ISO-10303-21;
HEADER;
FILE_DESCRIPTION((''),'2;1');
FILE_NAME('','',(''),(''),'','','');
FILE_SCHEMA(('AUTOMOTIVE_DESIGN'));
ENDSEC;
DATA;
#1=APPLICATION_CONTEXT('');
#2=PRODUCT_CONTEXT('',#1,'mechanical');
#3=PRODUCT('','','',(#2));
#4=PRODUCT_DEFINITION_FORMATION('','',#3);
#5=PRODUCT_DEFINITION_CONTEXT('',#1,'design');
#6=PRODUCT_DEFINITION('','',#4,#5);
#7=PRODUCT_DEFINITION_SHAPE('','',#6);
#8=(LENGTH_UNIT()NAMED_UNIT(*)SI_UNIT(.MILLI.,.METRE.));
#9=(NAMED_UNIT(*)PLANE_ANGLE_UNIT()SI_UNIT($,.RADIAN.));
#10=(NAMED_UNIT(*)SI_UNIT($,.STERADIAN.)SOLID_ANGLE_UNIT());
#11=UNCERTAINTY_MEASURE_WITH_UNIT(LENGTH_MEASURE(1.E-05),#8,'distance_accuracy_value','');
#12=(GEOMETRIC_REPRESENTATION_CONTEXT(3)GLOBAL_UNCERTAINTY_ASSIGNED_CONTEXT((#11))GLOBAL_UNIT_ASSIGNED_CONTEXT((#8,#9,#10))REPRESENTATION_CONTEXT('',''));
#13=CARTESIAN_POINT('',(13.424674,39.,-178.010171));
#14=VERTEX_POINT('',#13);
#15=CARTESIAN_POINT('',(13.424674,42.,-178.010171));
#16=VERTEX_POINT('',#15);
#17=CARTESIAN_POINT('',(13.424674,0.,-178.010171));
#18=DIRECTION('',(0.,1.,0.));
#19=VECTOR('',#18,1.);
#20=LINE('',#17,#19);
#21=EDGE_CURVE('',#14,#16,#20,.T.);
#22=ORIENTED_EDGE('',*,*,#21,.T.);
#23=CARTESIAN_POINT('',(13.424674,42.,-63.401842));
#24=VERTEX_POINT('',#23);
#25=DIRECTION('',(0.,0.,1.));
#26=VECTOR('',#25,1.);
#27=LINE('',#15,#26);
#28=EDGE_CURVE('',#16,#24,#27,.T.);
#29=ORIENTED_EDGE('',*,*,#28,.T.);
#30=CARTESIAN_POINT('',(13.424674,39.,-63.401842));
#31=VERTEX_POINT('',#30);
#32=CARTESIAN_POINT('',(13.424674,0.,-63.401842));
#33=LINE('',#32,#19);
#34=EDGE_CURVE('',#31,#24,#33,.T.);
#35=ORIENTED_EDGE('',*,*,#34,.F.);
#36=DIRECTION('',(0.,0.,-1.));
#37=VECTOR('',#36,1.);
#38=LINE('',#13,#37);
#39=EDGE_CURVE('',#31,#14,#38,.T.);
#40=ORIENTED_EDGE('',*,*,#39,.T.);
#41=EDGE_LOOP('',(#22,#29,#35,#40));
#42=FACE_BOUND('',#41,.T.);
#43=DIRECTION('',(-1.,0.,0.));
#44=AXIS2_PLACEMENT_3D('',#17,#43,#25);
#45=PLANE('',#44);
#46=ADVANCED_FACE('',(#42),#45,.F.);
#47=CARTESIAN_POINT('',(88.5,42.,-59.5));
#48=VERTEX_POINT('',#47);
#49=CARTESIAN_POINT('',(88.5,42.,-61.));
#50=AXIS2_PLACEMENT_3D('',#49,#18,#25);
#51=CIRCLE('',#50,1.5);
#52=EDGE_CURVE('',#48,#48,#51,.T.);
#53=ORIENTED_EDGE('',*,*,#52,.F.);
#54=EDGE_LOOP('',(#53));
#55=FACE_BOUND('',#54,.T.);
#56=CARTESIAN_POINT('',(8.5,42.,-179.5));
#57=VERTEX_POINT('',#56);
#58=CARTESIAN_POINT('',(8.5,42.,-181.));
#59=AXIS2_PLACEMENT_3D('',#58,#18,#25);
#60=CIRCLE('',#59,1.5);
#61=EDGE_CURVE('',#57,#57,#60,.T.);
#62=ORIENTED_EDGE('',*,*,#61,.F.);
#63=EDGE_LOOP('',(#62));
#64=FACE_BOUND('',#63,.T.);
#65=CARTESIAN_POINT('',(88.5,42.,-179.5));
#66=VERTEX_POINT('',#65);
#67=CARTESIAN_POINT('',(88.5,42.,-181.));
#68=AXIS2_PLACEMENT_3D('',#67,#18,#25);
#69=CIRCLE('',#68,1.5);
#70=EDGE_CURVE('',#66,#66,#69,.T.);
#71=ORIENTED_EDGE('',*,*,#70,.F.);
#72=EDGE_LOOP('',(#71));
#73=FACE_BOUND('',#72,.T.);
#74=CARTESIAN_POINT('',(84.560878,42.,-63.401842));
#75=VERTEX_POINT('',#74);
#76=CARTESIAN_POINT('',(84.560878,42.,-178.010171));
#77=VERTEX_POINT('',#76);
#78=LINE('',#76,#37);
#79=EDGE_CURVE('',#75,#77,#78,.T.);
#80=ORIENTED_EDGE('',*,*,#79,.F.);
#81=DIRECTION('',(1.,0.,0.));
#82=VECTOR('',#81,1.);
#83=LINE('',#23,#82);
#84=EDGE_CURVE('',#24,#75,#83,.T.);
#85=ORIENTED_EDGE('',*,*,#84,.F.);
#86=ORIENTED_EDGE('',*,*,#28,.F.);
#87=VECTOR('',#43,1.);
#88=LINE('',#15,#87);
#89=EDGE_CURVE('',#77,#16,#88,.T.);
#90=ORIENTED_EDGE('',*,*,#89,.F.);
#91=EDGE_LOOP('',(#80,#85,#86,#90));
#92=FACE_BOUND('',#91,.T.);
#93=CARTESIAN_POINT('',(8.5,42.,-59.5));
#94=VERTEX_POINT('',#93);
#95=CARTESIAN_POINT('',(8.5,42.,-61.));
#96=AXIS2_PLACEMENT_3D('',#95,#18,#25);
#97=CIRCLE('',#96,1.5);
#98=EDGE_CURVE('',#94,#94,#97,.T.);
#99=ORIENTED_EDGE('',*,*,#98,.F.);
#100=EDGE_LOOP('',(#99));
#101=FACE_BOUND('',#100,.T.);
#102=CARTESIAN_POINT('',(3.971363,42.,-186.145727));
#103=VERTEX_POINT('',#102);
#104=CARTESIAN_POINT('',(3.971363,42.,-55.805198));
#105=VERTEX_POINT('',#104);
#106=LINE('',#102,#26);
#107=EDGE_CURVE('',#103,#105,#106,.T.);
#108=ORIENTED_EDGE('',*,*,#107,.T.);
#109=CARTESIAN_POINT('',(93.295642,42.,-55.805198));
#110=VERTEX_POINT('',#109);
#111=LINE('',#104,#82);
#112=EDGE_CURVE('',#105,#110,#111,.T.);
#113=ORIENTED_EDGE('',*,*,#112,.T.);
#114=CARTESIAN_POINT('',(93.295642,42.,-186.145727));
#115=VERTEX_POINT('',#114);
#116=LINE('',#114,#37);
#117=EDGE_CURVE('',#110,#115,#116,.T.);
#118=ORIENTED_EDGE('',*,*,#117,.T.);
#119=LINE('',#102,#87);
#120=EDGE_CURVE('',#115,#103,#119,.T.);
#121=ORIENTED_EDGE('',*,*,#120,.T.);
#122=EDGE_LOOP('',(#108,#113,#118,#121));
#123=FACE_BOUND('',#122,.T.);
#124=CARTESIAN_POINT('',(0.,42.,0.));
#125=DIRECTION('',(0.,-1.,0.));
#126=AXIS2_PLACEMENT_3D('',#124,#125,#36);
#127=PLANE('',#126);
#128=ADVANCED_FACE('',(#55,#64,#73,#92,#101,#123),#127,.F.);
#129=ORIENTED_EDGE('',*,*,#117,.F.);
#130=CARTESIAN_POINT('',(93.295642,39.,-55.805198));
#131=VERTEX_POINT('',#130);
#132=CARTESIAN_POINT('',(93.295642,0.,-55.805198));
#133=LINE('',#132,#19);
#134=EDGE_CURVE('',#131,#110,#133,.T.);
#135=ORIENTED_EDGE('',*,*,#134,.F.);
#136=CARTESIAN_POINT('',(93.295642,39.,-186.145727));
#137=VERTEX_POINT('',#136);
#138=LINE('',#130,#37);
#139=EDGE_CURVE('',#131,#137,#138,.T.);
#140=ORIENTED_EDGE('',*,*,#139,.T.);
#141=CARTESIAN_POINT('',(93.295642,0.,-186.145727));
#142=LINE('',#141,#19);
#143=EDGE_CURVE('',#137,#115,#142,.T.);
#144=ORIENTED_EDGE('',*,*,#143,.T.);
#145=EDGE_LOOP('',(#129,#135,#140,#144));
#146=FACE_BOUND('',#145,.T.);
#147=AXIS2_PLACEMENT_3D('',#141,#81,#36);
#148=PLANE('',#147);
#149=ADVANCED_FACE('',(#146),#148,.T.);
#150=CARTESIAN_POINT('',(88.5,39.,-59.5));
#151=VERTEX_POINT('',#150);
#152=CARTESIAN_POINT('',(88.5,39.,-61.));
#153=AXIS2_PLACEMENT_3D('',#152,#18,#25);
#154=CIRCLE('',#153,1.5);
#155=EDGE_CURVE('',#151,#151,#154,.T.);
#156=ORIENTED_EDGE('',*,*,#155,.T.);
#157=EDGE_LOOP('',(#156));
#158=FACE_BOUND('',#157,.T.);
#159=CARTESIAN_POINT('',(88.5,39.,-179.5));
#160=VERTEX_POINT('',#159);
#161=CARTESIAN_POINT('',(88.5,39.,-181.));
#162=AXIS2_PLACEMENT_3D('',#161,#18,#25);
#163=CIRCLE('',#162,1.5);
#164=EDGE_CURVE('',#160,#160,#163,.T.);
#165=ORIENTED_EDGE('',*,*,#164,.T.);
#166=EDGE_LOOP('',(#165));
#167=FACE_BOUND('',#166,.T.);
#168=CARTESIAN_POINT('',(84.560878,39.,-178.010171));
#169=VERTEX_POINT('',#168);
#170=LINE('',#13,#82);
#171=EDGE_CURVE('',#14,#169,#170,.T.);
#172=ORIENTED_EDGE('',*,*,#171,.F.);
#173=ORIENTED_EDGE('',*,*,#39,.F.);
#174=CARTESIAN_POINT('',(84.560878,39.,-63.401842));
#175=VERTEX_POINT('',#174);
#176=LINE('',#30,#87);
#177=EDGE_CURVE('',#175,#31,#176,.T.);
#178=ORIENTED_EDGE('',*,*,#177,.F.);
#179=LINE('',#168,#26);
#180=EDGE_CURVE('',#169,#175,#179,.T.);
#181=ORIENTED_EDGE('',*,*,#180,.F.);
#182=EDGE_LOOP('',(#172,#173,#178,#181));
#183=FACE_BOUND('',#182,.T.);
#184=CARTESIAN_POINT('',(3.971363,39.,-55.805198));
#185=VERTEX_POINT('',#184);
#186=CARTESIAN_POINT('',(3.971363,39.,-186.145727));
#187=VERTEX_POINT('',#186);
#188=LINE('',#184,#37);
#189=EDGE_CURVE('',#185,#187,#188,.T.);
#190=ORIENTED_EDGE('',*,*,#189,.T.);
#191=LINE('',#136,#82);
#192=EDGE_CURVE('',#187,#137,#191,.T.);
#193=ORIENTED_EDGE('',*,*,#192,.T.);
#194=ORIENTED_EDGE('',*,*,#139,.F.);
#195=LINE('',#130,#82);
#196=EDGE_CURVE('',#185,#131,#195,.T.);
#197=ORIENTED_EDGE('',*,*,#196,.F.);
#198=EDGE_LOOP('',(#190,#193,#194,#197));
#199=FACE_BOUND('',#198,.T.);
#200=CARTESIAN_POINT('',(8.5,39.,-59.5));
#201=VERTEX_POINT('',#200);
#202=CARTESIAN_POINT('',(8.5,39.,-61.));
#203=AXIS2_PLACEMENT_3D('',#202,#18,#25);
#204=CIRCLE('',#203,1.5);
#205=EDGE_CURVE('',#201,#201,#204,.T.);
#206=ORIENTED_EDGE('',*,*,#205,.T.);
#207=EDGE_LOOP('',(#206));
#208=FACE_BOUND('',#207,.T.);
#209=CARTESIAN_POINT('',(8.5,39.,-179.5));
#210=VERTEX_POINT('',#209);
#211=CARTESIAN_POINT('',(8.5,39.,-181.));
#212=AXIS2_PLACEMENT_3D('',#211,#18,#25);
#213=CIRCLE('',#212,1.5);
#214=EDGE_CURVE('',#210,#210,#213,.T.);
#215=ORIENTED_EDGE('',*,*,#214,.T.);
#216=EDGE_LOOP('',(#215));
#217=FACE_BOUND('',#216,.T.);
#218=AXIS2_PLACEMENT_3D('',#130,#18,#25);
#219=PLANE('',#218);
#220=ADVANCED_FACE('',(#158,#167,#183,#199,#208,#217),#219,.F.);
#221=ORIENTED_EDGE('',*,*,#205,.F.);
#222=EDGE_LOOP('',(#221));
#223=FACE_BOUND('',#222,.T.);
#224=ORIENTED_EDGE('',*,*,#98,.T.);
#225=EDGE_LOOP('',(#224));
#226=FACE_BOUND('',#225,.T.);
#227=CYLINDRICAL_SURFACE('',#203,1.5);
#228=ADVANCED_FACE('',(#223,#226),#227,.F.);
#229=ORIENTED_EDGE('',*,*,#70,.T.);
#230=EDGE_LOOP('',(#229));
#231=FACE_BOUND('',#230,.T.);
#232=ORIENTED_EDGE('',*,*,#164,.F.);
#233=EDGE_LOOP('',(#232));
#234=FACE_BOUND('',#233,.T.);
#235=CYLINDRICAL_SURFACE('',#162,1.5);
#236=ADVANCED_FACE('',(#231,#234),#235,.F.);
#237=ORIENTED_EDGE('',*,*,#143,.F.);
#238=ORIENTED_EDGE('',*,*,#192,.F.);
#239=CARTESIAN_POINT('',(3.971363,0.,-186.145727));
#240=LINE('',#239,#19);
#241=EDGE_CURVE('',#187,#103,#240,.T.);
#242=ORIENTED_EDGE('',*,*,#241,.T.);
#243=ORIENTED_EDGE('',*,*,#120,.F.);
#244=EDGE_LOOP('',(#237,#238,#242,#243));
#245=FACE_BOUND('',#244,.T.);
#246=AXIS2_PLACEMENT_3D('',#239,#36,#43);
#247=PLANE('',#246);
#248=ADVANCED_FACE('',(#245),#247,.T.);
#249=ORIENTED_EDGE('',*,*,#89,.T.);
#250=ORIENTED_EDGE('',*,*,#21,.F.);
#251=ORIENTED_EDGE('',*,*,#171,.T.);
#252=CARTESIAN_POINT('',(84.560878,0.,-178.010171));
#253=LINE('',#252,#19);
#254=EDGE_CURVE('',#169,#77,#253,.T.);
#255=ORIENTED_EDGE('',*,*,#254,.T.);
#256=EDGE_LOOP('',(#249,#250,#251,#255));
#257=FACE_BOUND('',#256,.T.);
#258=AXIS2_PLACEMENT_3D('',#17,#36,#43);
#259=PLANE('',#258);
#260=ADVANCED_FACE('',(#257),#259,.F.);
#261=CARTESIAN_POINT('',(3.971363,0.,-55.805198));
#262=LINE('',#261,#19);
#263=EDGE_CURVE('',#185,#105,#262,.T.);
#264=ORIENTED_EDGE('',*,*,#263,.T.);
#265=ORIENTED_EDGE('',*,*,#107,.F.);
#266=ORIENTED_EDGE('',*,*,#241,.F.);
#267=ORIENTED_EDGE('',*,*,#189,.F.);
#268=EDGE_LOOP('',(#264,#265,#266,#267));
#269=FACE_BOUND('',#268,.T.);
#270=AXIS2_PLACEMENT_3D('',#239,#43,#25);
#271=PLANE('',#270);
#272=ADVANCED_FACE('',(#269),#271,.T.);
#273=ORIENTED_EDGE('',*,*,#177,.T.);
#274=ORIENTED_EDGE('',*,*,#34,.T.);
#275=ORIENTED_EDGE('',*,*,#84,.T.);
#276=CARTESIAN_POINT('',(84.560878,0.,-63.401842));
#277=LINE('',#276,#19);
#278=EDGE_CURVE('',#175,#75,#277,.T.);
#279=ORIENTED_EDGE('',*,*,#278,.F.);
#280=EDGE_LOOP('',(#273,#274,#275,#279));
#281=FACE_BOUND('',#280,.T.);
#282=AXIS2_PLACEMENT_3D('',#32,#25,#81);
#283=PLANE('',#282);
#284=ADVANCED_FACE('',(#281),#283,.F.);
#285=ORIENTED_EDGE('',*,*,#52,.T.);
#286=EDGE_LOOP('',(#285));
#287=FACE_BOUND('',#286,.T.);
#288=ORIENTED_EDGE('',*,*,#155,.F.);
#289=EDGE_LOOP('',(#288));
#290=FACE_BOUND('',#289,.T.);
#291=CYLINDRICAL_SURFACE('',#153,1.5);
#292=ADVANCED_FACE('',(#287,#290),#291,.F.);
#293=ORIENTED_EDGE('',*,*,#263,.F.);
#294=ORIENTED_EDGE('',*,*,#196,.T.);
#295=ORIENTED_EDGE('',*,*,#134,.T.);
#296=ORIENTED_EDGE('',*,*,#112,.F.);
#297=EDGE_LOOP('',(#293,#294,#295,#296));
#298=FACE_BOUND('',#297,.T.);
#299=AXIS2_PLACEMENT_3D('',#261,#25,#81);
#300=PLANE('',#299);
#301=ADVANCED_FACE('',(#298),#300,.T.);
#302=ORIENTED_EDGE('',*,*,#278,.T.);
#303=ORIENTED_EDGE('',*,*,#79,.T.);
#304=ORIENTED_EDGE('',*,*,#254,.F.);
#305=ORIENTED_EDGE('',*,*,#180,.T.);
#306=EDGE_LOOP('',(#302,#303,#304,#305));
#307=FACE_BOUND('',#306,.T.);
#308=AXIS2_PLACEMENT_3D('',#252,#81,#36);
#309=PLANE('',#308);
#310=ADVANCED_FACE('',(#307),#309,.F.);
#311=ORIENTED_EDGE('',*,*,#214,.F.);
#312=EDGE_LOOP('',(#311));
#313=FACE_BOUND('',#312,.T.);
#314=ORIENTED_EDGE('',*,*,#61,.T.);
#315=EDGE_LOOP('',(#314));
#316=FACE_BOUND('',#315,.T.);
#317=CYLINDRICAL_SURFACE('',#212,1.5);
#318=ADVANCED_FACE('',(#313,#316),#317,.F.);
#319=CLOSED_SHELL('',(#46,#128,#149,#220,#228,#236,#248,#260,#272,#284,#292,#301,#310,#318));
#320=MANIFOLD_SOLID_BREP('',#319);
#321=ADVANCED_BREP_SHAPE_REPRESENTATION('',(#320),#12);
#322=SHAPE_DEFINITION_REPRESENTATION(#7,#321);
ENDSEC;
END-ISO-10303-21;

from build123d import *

# Parameters (mm, degrees)
SKETCH1_W           = 97
SKETCH1_H           = 200
BOSS_EXTRUDE1_DEPTH = 42
SKETCH3_R           = 1.5
CUT_EXTRUDE1_DEPTH  = 3
SKETCH4_W           = 97
SKETCH4_H           = 200
SKETCH4_W_2         = 89.324278463
SKETCH4_H_2         = 130.340528777
CUT_EXTRUDE2_DEPTH  = 227.214499977
SKETCH5_W           = 71.136204213
SKETCH5_H           = 114.608329011
CUT_EXTRUDE3_DEPTH  = 213.410706636
SKETCH6_W           = 89.324278463
SKETCH6_H           = 39
CUT_EXTRUDE4_DEPTH  = 166.700724789


with BuildPart() as part:
    # Sketch1 → Boss-Extrude1 (new body)
    with BuildSketch(Plane(origin=(0, 0, 0), x_dir=(1, 0, 0), z_dir=(0, 1, 0))):
        with Locations((48.5, 100)):
            Rectangle(SKETCH1_W, SKETCH1_H)
    extrude(amount=BOSS_EXTRUDE1_DEPTH)

    # Sketch3 → Cut-Extrude1 (cut)
    with BuildSketch(Plane(origin=(0, 42, 0), x_dir=(1, 0, 0), z_dir=(0, 1, 0))):
        with Locations(Location((88.5, 61, 0), (0, 0, 270))):
            Circle(SKETCH3_R)
        with Locations(Location((8.5, 61, 0), (0, 0, 270))):
            Circle(SKETCH3_R)
        with Locations(Location((88.5, 181, 0), (0, 0, 270))):
            Circle(SKETCH3_R)
        with Locations(Location((8.5, 181, 0), (0, 0, 270))):
            Circle(SKETCH3_R)
    extrude(amount=-CUT_EXTRUDE1_DEPTH, mode=Mode.SUBTRACT)

    # Sketch4 → Cut-Extrude2 (cut, through all)
    with BuildSketch(Plane(origin=(0, 42, 0), x_dir=(1, 0, 0), z_dir=(0, 1, 0))):
        with Locations((48.5, 100)):
            Rectangle(SKETCH4_W, SKETCH4_H)
        with Locations((48.633502434, 120.975462234)):
            Rectangle(SKETCH4_W_2, SKETCH4_H_2, mode=Mode.SUBTRACT)
    extrude(amount=-CUT_EXTRUDE2_DEPTH, mode=Mode.SUBTRACT)

    # Sketch5 → Cut-Extrude3 (cut, through all)
    with BuildSketch(Plane(origin=(0, 42, 0), x_dir=(1, 0, 0), z_dir=(0, 1, 0))):
        with Locations((48.992776193, 120.706006915)):
            Rectangle(SKETCH5_W, SKETCH5_H)
    extrude(amount=-CUT_EXTRUDE3_DEPTH, mode=Mode.SUBTRACT)

    # Sketch6 → Cut-Extrude4 (cut, through all)
    with BuildSketch(Plane(origin=(0, 0, -186.145726622), x_dir=(-1, 0, 0), z_dir=(0, 0, -1))):
        with Locations((-48.633502434, 19.5)):
            Rectangle(SKETCH6_W, SKETCH6_H)
    extrude(amount=-CUT_EXTRUDE4_DEPTH, mode=Mode.SUBTRACT)


solid = part.part
